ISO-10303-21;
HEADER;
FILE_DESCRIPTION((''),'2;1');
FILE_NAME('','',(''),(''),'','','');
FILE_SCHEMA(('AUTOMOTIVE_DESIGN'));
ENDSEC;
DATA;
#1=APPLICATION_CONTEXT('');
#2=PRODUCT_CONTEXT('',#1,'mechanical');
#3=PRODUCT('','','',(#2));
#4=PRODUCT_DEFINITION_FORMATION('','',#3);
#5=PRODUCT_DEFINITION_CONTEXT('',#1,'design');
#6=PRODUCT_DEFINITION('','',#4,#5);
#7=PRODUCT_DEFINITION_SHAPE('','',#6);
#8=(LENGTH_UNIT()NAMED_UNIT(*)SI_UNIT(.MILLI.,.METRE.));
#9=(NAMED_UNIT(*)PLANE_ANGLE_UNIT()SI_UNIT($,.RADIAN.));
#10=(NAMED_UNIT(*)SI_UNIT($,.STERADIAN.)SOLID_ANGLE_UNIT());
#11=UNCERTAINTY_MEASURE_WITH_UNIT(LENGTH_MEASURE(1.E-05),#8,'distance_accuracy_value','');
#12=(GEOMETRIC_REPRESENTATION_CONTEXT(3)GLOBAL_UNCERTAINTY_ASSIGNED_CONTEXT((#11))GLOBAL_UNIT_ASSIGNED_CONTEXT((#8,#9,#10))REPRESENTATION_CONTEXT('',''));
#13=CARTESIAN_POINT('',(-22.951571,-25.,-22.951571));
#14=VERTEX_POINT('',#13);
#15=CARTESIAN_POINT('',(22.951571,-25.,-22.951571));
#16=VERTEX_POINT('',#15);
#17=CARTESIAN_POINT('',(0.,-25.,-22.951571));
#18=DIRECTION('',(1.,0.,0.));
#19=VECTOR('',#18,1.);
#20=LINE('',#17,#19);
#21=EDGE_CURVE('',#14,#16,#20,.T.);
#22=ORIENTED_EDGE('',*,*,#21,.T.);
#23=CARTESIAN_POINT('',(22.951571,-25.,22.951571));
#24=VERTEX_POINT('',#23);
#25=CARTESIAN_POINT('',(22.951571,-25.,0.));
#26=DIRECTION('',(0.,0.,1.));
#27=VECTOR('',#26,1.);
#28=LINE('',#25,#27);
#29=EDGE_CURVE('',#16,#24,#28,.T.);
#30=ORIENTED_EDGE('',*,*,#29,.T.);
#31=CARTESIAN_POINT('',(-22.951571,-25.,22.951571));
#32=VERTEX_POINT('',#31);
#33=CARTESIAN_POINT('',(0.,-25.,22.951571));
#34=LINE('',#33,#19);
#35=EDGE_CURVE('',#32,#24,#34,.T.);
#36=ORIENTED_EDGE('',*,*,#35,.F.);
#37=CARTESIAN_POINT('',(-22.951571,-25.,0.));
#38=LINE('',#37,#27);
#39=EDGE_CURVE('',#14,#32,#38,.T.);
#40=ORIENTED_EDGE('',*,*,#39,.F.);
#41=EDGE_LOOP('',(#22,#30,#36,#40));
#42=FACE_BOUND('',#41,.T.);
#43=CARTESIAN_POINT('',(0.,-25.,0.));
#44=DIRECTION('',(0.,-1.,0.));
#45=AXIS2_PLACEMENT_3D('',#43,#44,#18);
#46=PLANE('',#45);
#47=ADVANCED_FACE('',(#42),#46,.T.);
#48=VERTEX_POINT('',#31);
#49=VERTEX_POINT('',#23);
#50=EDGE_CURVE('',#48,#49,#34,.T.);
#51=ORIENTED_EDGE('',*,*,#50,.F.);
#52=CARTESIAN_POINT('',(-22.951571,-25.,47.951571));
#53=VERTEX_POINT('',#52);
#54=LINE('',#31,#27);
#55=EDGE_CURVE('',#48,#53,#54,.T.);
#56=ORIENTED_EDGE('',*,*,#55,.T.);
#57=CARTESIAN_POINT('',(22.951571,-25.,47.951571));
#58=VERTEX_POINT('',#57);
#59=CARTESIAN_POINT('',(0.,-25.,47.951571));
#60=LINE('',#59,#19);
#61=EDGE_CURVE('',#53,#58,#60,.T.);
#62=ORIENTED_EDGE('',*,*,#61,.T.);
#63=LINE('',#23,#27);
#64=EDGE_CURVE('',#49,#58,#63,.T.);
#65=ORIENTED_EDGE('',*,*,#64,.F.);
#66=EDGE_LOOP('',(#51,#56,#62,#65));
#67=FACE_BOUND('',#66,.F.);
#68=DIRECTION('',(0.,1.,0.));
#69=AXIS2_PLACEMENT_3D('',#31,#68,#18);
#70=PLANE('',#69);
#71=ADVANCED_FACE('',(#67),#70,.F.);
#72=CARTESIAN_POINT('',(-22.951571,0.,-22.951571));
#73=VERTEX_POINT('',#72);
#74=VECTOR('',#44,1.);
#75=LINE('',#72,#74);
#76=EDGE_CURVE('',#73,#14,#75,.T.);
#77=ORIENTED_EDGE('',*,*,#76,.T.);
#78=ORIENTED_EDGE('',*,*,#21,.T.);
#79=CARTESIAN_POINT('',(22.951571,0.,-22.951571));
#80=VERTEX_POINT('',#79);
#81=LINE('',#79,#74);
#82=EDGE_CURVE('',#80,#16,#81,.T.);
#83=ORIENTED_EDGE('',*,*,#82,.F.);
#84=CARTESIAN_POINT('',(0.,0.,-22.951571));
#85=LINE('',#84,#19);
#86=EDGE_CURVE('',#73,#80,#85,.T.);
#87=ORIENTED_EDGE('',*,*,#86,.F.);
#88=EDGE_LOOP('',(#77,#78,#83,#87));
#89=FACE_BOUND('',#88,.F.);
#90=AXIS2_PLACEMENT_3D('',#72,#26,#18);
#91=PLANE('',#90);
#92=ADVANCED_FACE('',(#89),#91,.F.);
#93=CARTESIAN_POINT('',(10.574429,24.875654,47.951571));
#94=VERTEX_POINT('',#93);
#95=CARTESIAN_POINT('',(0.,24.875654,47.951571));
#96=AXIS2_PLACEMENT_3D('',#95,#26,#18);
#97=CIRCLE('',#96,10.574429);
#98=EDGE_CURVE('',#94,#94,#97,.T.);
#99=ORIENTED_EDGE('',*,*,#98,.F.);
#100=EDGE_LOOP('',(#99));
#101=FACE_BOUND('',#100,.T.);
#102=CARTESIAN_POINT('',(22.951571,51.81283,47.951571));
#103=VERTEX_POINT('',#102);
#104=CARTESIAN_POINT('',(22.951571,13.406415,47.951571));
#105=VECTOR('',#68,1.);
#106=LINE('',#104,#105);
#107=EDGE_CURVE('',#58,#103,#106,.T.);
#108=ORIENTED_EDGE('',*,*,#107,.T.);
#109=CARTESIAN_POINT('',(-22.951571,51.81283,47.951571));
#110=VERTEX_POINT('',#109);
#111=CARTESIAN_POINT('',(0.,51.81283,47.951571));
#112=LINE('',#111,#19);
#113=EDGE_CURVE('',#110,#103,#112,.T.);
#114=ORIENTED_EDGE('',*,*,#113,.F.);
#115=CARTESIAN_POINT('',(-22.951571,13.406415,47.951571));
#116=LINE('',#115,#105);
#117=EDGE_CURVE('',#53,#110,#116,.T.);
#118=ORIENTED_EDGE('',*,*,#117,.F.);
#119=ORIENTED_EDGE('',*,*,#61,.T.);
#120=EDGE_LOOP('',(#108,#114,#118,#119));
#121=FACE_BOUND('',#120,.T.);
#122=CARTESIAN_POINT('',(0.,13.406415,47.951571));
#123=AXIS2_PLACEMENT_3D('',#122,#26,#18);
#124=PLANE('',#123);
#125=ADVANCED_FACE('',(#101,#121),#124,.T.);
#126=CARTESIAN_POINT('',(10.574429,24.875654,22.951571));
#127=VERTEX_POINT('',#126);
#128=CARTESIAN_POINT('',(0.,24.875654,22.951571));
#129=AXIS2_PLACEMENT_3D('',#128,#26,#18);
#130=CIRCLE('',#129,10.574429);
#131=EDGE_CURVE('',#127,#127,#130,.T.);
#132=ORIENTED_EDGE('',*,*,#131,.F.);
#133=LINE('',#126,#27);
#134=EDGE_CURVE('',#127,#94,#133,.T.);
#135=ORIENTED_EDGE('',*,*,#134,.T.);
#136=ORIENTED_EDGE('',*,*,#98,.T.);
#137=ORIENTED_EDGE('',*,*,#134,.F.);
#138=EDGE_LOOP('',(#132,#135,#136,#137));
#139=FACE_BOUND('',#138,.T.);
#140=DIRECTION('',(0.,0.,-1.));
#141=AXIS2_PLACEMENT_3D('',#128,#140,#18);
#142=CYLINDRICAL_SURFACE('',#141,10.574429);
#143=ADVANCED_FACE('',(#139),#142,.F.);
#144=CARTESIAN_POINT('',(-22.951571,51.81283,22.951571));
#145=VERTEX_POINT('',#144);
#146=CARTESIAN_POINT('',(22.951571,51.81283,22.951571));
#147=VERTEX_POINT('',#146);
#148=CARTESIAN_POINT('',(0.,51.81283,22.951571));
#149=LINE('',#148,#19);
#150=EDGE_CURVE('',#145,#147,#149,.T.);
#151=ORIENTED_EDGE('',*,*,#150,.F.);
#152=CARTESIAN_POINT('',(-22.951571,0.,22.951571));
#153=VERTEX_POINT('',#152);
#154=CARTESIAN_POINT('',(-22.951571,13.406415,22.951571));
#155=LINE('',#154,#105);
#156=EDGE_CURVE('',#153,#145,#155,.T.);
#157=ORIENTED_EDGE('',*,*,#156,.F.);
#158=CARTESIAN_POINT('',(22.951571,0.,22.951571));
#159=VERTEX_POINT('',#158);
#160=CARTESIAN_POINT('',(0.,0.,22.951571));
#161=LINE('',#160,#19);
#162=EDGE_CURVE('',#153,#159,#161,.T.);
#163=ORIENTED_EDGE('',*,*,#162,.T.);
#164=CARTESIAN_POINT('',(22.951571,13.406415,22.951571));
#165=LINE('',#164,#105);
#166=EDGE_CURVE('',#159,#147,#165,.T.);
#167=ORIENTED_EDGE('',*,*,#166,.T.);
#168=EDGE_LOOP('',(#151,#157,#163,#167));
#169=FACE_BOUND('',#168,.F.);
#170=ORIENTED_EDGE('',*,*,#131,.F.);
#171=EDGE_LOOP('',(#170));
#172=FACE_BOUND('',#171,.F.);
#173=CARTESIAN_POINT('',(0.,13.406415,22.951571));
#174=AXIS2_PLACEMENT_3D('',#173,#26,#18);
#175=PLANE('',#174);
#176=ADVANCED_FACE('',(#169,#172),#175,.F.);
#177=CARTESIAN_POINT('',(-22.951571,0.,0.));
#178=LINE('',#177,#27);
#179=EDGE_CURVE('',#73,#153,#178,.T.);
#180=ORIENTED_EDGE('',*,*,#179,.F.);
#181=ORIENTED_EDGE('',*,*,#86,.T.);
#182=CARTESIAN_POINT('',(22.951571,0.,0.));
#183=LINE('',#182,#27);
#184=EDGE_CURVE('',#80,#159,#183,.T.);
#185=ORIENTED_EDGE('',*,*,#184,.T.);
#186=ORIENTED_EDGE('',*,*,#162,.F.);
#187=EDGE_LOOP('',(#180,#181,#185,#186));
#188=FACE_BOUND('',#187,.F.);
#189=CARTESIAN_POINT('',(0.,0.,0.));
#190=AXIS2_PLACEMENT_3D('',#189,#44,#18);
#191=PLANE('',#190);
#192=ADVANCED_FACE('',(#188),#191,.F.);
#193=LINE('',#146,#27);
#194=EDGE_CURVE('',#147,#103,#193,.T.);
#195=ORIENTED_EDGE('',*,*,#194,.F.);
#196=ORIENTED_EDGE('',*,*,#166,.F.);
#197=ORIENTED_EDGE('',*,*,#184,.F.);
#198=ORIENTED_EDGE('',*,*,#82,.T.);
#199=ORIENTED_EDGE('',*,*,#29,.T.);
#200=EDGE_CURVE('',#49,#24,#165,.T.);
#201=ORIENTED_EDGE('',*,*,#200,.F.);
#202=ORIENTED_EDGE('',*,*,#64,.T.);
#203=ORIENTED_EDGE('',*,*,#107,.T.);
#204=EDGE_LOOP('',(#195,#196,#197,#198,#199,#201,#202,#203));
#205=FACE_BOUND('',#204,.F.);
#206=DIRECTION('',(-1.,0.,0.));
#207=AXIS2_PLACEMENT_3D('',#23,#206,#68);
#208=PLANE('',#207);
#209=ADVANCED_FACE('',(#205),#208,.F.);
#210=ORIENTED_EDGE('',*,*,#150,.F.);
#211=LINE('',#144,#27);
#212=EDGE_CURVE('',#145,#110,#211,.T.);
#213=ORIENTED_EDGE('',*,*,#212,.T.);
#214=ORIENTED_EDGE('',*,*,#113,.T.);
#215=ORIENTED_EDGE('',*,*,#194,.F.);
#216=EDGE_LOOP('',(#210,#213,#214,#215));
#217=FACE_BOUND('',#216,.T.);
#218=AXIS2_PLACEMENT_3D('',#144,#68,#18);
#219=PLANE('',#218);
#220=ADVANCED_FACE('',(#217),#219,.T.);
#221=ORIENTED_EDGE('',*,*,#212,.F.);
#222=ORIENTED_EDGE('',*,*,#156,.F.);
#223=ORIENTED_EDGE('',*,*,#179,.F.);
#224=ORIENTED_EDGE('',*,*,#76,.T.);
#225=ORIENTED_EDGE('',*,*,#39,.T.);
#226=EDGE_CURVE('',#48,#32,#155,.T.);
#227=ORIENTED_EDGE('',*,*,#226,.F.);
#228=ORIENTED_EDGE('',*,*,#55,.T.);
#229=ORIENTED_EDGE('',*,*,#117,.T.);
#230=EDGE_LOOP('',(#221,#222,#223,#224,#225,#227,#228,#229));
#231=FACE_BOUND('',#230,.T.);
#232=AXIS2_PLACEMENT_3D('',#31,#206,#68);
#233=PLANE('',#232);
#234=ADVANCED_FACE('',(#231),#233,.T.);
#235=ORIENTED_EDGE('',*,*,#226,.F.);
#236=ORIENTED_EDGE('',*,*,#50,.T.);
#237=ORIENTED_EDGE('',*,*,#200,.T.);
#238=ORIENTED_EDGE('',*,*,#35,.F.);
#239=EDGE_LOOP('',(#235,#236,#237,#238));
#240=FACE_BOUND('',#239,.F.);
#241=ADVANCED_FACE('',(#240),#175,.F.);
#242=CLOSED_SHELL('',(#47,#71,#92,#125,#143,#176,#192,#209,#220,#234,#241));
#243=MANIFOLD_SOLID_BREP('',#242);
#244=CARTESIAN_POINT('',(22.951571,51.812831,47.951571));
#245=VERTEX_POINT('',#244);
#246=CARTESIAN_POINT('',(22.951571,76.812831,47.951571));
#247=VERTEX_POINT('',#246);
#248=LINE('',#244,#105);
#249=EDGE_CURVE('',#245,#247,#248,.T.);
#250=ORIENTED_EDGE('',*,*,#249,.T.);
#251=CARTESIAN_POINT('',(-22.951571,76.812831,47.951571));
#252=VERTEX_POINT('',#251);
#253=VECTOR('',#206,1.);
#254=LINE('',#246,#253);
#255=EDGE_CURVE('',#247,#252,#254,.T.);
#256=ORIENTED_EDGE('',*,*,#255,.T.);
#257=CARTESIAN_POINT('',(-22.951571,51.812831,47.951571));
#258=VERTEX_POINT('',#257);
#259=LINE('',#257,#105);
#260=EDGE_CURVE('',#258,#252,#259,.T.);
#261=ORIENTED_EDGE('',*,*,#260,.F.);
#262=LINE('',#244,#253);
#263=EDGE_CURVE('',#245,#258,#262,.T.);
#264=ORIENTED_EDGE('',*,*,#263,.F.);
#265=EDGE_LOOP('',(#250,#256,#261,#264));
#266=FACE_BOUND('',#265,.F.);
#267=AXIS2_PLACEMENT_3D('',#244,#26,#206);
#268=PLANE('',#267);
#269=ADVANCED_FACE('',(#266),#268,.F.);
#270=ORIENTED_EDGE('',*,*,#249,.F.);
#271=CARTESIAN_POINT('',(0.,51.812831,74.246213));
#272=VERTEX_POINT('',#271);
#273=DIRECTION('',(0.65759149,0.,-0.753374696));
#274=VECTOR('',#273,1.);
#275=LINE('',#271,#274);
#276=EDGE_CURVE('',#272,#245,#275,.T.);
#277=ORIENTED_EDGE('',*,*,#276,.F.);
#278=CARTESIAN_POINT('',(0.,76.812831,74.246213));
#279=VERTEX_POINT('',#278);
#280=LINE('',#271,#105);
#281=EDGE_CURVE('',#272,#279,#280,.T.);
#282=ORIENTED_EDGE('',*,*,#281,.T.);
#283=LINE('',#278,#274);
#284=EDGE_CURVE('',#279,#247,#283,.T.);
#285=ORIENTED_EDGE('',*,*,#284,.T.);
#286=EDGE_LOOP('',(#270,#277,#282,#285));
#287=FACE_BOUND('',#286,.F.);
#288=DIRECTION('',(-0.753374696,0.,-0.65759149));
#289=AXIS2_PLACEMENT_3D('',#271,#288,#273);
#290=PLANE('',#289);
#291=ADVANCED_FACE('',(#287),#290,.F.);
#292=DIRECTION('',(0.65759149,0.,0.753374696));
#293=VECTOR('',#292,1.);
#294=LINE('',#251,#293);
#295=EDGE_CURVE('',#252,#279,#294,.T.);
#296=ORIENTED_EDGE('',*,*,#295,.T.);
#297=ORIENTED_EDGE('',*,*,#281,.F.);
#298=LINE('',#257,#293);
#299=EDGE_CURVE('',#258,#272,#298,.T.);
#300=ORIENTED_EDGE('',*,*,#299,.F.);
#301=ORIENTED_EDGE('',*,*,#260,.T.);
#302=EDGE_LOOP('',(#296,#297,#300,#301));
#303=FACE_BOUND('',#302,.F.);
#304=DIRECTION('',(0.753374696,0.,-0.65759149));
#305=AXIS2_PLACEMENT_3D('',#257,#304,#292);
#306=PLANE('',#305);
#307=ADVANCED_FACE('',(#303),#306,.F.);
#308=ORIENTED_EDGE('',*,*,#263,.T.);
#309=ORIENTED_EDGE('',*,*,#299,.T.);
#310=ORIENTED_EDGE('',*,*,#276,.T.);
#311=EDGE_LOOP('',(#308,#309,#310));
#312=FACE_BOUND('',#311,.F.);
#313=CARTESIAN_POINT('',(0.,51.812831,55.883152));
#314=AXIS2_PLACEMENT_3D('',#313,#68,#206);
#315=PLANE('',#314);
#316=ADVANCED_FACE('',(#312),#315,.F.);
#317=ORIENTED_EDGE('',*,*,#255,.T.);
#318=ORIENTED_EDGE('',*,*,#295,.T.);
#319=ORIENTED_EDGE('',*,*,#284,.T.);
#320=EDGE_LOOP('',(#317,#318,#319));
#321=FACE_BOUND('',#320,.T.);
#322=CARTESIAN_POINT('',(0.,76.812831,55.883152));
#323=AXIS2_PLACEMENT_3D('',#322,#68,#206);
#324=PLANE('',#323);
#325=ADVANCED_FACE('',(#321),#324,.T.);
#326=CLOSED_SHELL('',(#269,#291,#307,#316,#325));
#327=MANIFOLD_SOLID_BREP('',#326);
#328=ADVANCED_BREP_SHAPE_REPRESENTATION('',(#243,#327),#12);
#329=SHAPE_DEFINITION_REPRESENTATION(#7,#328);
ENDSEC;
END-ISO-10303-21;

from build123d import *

# Parameters (mm, degrees)
F0_W     = 45.903142
F0_H     = 45.903142
F1_DEPTH = 25
F2_W     = 45.903142
F2_H     = 76.812831
F2_R     = 10.574429
F3_DEPTH = 25
F5_DEPTH = 25


with BuildPart() as f1:
    # F0 (on Front) → F1 (new body)
    with BuildSketch(Plane.XZ):
        Rectangle(F0_W, F0_H)
    extrude(amount=F1_DEPTH)

    # F2 (on face) → F3 (join)
    with BuildSketch(Plane.XY.offset(22.951571)):
        with Locations((0, 13.406415)):
            Rectangle(F2_W, F2_H)
        with Locations((0, 24.875654)):
            Circle(F2_R, mode=Mode.SUBTRACT)
    extrude(amount=F3_DEPTH)


with BuildPart() as f5:
    # F4 (on face) → F5 (new body)
    with BuildSketch(Plane(origin=(0, 51.812831, 0), x_dir=(-1, 0, 0), z_dir=(0, 1, 0))):
        Polygon((0, 74.246213), (-22.951571, 47.951571), (-20.019267, 47.951571), (22.951571, 47.951571), align=None)
    extrude(amount=F5_DEPTH)


solid = Compound([f1.part, f5.part])
